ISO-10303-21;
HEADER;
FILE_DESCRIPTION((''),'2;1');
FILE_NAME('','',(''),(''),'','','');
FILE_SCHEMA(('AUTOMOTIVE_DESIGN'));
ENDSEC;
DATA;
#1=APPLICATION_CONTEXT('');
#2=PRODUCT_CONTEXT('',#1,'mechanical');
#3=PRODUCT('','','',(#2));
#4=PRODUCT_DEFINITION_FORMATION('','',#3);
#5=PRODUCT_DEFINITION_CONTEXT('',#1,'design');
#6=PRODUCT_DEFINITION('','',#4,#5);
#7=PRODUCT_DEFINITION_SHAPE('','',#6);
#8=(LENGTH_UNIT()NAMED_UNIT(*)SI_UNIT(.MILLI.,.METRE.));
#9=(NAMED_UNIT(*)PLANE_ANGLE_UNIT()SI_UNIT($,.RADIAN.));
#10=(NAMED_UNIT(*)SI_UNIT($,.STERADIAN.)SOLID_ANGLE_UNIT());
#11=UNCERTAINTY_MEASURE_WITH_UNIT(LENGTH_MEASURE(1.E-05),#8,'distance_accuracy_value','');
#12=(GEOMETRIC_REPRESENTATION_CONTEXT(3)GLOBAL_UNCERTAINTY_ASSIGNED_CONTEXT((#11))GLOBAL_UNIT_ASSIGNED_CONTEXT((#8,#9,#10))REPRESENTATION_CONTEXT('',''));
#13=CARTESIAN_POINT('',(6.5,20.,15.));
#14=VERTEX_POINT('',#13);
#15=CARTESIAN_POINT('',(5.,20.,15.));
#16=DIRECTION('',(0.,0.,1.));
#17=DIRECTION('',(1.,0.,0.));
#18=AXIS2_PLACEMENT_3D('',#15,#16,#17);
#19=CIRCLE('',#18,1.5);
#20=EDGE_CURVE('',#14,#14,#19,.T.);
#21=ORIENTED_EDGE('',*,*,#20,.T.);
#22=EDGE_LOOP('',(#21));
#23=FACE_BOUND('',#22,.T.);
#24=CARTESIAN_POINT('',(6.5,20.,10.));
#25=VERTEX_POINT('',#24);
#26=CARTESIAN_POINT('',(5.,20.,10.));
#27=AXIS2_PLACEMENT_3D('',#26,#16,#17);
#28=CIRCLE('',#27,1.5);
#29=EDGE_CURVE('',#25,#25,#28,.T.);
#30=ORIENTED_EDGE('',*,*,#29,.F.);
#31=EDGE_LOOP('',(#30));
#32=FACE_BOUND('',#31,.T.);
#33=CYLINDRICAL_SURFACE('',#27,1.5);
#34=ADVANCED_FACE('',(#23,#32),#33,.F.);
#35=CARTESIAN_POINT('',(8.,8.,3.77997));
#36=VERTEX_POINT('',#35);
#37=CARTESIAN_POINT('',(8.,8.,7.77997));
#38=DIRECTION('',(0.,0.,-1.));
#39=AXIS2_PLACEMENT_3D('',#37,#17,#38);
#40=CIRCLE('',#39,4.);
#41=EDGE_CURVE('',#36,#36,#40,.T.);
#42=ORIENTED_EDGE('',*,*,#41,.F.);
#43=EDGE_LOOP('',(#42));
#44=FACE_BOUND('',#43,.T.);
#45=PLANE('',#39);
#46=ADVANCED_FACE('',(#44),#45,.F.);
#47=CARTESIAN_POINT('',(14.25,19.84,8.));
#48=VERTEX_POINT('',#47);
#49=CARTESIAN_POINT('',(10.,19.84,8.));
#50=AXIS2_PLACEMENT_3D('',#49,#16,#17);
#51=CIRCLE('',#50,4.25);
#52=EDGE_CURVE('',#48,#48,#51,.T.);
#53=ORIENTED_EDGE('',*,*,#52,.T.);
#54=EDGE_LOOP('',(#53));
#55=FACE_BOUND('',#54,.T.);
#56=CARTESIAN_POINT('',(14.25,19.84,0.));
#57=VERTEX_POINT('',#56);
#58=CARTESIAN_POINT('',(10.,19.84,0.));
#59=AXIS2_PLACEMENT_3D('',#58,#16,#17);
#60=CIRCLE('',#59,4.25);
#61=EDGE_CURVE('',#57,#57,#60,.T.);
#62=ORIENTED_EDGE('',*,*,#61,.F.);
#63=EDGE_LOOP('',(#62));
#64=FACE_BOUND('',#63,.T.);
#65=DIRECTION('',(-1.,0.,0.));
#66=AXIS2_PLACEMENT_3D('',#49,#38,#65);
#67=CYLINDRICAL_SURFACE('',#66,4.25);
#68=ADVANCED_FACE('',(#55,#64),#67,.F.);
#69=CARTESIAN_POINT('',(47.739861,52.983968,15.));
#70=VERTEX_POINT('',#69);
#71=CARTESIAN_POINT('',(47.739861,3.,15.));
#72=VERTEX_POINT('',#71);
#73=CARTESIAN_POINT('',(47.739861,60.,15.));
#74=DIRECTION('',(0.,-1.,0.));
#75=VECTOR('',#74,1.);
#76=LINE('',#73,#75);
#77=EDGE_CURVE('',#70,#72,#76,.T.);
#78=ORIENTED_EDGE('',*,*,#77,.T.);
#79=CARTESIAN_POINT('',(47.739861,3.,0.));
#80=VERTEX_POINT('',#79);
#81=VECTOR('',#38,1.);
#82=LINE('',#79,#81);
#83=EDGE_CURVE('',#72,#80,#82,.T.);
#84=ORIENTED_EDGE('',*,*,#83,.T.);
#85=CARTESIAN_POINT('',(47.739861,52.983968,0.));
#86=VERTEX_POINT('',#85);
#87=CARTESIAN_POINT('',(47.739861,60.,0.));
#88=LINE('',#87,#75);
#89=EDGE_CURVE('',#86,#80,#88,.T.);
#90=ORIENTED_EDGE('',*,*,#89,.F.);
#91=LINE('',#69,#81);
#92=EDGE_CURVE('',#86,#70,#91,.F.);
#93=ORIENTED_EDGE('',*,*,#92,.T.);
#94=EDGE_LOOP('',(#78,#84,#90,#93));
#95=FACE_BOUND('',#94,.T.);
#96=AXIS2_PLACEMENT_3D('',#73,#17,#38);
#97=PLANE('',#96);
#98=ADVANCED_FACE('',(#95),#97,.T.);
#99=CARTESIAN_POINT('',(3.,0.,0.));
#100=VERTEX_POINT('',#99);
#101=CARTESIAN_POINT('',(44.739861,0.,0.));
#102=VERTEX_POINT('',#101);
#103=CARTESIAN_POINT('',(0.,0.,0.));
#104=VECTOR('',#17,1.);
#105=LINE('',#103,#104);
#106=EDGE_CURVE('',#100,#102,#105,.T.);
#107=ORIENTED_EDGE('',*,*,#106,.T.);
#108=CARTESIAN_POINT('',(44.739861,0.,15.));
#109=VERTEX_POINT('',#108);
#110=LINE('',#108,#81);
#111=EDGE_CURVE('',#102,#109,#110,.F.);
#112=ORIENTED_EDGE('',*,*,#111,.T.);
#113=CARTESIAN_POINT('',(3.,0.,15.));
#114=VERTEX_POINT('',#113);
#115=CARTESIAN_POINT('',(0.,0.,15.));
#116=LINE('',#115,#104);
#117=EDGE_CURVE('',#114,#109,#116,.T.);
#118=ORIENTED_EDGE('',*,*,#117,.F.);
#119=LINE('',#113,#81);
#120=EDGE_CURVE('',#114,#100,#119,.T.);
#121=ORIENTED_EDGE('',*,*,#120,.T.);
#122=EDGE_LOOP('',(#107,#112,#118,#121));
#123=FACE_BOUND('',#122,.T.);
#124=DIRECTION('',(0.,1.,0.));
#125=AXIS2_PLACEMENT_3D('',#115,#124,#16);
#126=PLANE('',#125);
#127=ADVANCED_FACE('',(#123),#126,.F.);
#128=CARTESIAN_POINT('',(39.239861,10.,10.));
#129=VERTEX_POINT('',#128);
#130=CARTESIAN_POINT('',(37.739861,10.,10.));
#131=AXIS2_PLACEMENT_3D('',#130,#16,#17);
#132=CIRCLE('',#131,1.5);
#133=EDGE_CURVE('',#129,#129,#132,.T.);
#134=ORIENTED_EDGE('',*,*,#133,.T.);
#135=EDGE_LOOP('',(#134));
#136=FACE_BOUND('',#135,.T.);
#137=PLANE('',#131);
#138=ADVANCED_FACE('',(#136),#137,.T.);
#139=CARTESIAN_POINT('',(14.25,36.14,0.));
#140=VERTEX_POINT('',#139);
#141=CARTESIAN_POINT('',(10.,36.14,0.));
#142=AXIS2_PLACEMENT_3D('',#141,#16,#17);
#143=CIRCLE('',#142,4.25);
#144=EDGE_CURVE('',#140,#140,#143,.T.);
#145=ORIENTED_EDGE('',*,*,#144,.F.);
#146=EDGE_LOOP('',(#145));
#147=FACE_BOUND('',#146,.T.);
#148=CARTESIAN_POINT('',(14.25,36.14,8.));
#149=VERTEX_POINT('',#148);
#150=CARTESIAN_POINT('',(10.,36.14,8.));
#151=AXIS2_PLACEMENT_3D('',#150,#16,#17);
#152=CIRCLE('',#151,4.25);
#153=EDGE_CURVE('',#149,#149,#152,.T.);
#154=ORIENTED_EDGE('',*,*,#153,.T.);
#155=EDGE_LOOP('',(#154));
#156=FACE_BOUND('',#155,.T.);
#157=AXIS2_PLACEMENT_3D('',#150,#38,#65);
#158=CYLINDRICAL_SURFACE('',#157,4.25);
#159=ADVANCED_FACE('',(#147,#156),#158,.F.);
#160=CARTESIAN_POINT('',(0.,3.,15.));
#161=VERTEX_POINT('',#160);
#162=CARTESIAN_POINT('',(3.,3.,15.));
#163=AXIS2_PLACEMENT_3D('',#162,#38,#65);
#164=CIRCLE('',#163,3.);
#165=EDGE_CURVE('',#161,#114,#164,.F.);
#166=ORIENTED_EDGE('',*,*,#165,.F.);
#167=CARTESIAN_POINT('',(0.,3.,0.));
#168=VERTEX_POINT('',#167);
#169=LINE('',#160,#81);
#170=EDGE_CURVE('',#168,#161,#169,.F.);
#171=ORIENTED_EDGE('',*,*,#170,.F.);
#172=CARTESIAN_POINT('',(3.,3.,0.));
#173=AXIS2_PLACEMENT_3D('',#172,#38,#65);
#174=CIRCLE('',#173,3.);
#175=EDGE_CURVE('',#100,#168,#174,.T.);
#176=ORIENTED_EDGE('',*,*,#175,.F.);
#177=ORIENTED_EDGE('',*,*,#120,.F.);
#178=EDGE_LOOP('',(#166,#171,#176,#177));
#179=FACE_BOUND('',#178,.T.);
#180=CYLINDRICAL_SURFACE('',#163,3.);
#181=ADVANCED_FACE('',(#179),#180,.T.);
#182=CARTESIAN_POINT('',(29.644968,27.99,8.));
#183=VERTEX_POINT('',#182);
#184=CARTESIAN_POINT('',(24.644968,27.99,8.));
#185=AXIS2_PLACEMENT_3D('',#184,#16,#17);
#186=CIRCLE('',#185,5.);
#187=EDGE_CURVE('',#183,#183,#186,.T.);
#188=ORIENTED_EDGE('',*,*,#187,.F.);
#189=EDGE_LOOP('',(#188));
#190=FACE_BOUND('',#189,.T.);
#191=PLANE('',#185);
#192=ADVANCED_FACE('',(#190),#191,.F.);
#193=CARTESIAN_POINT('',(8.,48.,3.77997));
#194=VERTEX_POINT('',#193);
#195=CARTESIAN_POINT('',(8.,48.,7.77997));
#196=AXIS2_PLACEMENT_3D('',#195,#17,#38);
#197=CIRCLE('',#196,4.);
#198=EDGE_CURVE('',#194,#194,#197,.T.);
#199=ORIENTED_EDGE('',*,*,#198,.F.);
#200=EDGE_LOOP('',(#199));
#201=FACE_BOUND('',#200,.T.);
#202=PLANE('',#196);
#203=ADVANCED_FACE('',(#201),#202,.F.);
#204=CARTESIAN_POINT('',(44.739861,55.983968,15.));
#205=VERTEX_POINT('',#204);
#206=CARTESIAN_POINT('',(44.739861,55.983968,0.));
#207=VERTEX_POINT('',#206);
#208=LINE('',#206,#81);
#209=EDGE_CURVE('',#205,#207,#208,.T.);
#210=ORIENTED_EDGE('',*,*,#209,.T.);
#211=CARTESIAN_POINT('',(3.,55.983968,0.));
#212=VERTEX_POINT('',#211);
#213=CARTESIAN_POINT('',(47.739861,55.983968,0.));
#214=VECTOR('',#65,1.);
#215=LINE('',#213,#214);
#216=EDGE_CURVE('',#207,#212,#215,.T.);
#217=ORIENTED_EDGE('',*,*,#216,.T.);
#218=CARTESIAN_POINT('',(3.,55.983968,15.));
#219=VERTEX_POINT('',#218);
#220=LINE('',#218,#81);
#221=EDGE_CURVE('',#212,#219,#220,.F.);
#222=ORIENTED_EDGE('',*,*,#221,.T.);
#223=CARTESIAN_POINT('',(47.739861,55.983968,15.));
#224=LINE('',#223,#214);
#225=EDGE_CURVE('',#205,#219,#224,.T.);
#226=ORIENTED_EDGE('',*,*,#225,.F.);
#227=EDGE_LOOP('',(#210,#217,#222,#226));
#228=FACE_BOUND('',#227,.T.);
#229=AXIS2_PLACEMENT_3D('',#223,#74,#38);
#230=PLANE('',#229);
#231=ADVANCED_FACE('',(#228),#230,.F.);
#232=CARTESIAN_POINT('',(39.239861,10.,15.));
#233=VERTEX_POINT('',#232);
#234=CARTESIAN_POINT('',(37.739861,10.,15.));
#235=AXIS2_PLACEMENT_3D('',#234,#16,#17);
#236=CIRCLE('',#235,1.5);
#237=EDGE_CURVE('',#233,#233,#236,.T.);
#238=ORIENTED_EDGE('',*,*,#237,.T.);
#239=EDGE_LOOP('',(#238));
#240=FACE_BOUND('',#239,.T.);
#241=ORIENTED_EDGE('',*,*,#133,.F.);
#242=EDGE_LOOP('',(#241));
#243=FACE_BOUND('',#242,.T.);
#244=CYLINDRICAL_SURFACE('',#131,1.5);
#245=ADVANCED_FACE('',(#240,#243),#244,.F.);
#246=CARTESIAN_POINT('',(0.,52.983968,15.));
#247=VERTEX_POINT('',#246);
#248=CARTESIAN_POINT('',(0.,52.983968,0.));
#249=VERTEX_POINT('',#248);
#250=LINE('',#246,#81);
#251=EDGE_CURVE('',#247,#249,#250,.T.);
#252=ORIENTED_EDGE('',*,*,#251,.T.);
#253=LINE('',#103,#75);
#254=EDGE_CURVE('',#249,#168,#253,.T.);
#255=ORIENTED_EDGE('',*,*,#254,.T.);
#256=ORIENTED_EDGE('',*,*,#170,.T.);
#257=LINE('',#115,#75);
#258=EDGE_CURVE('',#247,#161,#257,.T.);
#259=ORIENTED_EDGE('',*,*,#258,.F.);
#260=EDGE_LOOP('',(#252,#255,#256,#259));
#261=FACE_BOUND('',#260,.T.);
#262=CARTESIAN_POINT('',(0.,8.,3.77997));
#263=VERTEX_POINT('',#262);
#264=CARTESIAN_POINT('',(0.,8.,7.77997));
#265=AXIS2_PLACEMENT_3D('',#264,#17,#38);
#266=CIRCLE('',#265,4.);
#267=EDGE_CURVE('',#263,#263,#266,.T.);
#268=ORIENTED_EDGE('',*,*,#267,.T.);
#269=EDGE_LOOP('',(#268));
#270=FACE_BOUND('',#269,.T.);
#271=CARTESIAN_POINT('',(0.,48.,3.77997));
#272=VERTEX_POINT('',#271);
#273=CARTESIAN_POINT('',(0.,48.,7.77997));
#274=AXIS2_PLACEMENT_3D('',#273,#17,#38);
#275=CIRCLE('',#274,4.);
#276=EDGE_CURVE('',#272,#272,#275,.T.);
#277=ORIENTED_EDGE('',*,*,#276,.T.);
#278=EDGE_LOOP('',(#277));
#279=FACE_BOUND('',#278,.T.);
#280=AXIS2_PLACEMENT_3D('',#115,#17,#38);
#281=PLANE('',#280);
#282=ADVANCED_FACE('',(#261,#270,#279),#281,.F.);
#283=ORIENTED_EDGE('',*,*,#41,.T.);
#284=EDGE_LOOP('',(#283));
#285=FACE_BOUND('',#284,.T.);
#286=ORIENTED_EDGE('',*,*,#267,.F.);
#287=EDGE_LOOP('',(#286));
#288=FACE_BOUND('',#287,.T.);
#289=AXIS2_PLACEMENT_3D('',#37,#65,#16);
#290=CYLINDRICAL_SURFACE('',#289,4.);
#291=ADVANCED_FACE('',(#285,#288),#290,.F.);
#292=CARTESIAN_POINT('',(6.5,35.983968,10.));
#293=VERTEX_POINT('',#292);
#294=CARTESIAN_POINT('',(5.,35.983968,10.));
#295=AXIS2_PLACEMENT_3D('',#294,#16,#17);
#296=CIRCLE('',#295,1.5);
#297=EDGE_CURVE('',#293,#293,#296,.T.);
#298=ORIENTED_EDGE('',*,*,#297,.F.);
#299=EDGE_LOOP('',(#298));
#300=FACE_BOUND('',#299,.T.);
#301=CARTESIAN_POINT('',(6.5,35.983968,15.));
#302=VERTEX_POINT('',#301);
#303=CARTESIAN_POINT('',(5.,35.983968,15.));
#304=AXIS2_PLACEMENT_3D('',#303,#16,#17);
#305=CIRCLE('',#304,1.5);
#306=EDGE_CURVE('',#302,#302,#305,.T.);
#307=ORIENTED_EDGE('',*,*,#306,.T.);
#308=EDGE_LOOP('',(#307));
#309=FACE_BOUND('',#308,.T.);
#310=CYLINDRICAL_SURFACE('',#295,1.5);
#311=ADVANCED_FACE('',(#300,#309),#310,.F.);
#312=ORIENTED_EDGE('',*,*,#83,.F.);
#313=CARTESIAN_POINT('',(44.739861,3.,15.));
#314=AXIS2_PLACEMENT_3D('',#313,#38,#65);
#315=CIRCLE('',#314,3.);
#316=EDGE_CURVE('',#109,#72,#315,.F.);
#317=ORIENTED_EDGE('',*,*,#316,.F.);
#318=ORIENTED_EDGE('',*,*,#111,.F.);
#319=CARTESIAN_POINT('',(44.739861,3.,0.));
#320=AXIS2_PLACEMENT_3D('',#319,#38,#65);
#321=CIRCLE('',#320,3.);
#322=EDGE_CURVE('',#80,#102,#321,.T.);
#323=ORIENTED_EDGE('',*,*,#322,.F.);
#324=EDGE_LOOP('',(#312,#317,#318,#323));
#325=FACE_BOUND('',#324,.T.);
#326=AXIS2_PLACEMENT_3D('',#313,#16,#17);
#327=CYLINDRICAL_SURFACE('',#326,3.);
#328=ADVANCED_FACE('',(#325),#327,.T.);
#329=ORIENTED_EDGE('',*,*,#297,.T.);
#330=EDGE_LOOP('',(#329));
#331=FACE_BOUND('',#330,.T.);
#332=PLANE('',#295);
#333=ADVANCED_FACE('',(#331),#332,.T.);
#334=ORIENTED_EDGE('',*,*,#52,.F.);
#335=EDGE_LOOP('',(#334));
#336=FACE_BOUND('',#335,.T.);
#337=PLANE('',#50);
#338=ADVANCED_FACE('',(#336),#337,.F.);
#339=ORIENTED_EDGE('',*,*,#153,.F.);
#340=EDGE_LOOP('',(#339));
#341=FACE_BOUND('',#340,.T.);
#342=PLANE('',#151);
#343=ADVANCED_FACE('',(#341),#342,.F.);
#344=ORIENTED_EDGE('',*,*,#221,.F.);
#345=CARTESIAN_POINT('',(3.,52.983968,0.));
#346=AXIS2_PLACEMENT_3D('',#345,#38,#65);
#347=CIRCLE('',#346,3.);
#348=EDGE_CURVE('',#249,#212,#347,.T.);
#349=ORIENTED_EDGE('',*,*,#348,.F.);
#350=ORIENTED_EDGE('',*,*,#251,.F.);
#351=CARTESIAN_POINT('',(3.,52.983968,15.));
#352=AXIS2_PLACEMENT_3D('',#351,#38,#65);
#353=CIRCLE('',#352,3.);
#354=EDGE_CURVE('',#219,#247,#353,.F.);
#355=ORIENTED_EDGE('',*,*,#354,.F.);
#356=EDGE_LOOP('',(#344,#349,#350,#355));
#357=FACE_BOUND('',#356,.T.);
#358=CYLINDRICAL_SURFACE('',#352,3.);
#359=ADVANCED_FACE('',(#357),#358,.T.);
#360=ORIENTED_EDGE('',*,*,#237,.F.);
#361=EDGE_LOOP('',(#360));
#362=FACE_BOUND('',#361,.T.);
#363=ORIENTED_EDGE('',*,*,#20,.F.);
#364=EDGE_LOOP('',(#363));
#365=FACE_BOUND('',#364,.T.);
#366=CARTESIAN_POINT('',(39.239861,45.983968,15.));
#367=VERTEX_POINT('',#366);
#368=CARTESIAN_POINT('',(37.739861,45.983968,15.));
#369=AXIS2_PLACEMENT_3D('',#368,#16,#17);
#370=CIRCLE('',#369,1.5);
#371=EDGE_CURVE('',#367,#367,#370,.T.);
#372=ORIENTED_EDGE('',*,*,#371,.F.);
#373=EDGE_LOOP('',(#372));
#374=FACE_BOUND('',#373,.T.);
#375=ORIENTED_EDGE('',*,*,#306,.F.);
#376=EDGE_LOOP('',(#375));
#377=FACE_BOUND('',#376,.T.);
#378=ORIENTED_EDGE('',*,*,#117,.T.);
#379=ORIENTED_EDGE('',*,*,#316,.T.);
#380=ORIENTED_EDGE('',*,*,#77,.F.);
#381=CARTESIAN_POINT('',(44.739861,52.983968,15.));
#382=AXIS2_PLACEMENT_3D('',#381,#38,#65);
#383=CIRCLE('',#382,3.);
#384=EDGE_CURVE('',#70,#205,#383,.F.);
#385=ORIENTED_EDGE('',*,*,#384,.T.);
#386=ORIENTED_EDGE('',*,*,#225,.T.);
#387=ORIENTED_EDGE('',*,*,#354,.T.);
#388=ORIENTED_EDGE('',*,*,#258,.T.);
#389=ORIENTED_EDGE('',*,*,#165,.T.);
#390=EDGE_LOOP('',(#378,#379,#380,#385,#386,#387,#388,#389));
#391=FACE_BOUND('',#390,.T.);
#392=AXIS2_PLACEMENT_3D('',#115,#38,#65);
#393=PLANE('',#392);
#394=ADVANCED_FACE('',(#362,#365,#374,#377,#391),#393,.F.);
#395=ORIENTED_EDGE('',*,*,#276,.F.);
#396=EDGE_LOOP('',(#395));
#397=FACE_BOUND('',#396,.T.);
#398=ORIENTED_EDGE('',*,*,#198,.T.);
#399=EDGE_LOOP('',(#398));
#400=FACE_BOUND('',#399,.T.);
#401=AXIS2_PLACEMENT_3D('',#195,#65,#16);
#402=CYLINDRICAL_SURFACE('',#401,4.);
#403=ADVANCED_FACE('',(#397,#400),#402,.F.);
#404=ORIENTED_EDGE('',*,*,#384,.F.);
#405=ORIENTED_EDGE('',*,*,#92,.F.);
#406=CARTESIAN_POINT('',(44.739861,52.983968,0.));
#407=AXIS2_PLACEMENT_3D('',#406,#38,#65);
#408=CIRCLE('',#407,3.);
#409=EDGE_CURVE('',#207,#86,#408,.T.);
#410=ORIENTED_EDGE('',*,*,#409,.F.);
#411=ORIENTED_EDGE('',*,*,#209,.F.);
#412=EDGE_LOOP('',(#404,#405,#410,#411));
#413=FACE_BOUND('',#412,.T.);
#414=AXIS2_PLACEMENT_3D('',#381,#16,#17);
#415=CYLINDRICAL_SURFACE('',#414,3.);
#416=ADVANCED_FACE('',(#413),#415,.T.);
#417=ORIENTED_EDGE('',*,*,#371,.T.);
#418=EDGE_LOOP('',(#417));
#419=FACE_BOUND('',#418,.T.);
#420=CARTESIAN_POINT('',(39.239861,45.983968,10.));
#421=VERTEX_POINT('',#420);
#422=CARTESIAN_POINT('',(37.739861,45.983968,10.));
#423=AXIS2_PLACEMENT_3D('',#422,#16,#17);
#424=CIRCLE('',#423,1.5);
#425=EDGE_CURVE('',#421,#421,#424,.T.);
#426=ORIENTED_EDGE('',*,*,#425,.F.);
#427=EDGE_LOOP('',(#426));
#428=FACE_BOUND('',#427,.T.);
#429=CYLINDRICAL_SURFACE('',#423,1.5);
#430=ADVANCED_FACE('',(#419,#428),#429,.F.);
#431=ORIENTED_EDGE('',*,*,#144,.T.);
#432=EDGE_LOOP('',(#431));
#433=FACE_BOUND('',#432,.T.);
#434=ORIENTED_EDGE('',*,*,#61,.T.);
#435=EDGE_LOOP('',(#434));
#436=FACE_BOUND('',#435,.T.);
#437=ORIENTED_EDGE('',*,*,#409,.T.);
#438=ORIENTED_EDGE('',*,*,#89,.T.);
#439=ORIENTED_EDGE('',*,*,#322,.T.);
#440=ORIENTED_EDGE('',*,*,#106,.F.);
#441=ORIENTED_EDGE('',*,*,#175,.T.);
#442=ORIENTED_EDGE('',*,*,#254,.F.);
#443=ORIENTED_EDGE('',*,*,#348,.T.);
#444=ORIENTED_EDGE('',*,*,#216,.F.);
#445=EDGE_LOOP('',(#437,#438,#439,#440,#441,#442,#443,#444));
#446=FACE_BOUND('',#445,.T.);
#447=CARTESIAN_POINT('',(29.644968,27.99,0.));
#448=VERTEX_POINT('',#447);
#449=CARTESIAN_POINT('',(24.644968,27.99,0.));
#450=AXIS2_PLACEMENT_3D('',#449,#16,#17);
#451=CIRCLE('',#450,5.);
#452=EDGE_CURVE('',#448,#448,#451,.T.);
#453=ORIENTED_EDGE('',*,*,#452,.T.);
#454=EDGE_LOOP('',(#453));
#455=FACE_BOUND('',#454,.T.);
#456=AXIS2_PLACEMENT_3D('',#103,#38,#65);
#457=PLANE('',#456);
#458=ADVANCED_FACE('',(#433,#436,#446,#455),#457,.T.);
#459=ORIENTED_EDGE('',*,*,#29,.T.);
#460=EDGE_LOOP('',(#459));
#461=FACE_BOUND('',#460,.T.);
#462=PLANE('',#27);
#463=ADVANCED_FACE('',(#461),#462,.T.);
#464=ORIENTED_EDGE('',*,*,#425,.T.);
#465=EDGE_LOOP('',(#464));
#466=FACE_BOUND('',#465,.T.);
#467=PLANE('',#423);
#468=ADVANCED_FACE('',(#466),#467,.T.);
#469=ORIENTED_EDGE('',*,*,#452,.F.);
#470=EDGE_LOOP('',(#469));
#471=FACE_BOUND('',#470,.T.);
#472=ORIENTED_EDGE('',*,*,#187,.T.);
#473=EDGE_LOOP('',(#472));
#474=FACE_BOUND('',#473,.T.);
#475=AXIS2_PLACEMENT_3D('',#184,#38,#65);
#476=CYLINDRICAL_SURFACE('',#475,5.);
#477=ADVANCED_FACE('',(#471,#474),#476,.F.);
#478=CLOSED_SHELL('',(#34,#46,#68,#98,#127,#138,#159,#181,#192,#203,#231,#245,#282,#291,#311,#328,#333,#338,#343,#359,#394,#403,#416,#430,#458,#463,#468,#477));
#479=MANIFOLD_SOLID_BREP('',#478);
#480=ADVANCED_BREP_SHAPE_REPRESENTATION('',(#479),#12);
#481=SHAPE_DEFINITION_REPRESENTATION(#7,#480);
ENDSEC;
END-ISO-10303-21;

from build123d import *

# Parameters (mm, degrees)
ESQUISSE1_W             = 50
ESQUISSE1_H             = 60
BOSS_EXTRU_1_DEPTH      = 15
ESQUISSE2_R             = 4.25
ESQUISSE2_R_2           = 5
ENL_V_MAT_EXTRU_1_DEPTH = 8
ESQUISSE4_W             = 2.260138716
ESQUISSE4_H             = 60
ENL_V_MAT_EXTRU_2_DEPTH = 80.529868603
ESQUISSE5_R             = 4
ENL_V_MAT_EXTRU_3_DEPTH = 8
ESQUISSE6_W             = 47.739861284
ESQUISSE6_H             = 4.016031869
ENL_V_MAT_EXTRU_4_DEPTH = 79.128703787
CONG_1_R                = 3
ESQUISSE7_R             = 1.5
ENL_V_MAT_EXTRU_5_DEPTH = 5


with BuildPart() as part:
    # Esquisse1 → Boss.-Extru.1 (new body)
    with BuildSketch(Plane.XY):
        with Locations((25, 30)):
            Rectangle(ESQUISSE1_W, ESQUISSE1_H)
    extrude(amount=BOSS_EXTRU_1_DEPTH)

    # Esquisse2 → Enlèv. mat.-Extru.1 (cut)
    with BuildSketch(Plane.XY):
        with Locations((10, 36.14)):
            Circle(ESQUISSE2_R)
        with Locations((10, 19.84)):
            Circle(ESQUISSE2_R)
        with Locations((24.644968419, 27.99)):
            Circle(ESQUISSE2_R_2)
    extrude(amount=ENL_V_MAT_EXTRU_1_DEPTH, mode=Mode.SUBTRACT)

    # Esquisse4 → Enlèv. mat.-Extru.2 (cut, through all)
    with BuildSketch(Plane.XY):
        with Locations((48.869930642, 30)):
            Rectangle(ESQUISSE4_W, ESQUISSE4_H)
    extrude(amount=ENL_V_MAT_EXTRU_2_DEPTH, mode=Mode.SUBTRACT)

    # Esquisse5 → Enlèv. mat.-Extru.3 (cut)
    with BuildSketch(Plane(origin=(0, 0, 0), x_dir=(0, 0, -1), z_dir=(1, 0, 0))):
        with Locations((-7.779969549, 8)):
            Circle(ESQUISSE5_R)
        with Locations((-7.779969549, 48)):
            Circle(ESQUISSE5_R)
    extrude(amount=ENL_V_MAT_EXTRU_3_DEPTH, mode=Mode.SUBTRACT)

    # Esquisse6 → Enlèv. mat.-Extru.4 (cut, through all)
    with BuildSketch(Plane(origin=(0, 0, 0), x_dir=(-1, 0, 0), z_dir=(0, 0, -1))):
        with Locations((-23.869930642, 57.991984066)):
            Rectangle(ESQUISSE6_W, ESQUISSE6_H)
    extrude(amount=-ENL_V_MAT_EXTRU_4_DEPTH, mode=Mode.SUBTRACT)

    # Congé1
    cong_1_edges = [part.edges().sort_by_distance(p)[0] for p in [
        (47.739861284, 0, 7.5),
        (47.739861284, 55.983968131, 7.5),
        (0, 55.983968131, 7.5),
        (0, 0, 7.5),
    ]]
    fillet(cong_1_edges, radius=CONG_1_R)

    # Esquisse7 → Enlèv. mat.-Extru.5 (cut)
    with BuildSketch(Plane.XY.offset(15)):
        with Locations((37.739861284, 45.983968131)):
            Circle(ESQUISSE7_R)
        with Locations((37.739861284, 10)):
            Circle(ESQUISSE7_R)
        with Locations((5, 20)):
            Circle(ESQUISSE7_R)
        with Locations((5, 35.983968131)):
            Circle(ESQUISSE7_R)
    extrude(amount=-ENL_V_MAT_EXTRU_5_DEPTH, mode=Mode.SUBTRACT)


solid = part.part
